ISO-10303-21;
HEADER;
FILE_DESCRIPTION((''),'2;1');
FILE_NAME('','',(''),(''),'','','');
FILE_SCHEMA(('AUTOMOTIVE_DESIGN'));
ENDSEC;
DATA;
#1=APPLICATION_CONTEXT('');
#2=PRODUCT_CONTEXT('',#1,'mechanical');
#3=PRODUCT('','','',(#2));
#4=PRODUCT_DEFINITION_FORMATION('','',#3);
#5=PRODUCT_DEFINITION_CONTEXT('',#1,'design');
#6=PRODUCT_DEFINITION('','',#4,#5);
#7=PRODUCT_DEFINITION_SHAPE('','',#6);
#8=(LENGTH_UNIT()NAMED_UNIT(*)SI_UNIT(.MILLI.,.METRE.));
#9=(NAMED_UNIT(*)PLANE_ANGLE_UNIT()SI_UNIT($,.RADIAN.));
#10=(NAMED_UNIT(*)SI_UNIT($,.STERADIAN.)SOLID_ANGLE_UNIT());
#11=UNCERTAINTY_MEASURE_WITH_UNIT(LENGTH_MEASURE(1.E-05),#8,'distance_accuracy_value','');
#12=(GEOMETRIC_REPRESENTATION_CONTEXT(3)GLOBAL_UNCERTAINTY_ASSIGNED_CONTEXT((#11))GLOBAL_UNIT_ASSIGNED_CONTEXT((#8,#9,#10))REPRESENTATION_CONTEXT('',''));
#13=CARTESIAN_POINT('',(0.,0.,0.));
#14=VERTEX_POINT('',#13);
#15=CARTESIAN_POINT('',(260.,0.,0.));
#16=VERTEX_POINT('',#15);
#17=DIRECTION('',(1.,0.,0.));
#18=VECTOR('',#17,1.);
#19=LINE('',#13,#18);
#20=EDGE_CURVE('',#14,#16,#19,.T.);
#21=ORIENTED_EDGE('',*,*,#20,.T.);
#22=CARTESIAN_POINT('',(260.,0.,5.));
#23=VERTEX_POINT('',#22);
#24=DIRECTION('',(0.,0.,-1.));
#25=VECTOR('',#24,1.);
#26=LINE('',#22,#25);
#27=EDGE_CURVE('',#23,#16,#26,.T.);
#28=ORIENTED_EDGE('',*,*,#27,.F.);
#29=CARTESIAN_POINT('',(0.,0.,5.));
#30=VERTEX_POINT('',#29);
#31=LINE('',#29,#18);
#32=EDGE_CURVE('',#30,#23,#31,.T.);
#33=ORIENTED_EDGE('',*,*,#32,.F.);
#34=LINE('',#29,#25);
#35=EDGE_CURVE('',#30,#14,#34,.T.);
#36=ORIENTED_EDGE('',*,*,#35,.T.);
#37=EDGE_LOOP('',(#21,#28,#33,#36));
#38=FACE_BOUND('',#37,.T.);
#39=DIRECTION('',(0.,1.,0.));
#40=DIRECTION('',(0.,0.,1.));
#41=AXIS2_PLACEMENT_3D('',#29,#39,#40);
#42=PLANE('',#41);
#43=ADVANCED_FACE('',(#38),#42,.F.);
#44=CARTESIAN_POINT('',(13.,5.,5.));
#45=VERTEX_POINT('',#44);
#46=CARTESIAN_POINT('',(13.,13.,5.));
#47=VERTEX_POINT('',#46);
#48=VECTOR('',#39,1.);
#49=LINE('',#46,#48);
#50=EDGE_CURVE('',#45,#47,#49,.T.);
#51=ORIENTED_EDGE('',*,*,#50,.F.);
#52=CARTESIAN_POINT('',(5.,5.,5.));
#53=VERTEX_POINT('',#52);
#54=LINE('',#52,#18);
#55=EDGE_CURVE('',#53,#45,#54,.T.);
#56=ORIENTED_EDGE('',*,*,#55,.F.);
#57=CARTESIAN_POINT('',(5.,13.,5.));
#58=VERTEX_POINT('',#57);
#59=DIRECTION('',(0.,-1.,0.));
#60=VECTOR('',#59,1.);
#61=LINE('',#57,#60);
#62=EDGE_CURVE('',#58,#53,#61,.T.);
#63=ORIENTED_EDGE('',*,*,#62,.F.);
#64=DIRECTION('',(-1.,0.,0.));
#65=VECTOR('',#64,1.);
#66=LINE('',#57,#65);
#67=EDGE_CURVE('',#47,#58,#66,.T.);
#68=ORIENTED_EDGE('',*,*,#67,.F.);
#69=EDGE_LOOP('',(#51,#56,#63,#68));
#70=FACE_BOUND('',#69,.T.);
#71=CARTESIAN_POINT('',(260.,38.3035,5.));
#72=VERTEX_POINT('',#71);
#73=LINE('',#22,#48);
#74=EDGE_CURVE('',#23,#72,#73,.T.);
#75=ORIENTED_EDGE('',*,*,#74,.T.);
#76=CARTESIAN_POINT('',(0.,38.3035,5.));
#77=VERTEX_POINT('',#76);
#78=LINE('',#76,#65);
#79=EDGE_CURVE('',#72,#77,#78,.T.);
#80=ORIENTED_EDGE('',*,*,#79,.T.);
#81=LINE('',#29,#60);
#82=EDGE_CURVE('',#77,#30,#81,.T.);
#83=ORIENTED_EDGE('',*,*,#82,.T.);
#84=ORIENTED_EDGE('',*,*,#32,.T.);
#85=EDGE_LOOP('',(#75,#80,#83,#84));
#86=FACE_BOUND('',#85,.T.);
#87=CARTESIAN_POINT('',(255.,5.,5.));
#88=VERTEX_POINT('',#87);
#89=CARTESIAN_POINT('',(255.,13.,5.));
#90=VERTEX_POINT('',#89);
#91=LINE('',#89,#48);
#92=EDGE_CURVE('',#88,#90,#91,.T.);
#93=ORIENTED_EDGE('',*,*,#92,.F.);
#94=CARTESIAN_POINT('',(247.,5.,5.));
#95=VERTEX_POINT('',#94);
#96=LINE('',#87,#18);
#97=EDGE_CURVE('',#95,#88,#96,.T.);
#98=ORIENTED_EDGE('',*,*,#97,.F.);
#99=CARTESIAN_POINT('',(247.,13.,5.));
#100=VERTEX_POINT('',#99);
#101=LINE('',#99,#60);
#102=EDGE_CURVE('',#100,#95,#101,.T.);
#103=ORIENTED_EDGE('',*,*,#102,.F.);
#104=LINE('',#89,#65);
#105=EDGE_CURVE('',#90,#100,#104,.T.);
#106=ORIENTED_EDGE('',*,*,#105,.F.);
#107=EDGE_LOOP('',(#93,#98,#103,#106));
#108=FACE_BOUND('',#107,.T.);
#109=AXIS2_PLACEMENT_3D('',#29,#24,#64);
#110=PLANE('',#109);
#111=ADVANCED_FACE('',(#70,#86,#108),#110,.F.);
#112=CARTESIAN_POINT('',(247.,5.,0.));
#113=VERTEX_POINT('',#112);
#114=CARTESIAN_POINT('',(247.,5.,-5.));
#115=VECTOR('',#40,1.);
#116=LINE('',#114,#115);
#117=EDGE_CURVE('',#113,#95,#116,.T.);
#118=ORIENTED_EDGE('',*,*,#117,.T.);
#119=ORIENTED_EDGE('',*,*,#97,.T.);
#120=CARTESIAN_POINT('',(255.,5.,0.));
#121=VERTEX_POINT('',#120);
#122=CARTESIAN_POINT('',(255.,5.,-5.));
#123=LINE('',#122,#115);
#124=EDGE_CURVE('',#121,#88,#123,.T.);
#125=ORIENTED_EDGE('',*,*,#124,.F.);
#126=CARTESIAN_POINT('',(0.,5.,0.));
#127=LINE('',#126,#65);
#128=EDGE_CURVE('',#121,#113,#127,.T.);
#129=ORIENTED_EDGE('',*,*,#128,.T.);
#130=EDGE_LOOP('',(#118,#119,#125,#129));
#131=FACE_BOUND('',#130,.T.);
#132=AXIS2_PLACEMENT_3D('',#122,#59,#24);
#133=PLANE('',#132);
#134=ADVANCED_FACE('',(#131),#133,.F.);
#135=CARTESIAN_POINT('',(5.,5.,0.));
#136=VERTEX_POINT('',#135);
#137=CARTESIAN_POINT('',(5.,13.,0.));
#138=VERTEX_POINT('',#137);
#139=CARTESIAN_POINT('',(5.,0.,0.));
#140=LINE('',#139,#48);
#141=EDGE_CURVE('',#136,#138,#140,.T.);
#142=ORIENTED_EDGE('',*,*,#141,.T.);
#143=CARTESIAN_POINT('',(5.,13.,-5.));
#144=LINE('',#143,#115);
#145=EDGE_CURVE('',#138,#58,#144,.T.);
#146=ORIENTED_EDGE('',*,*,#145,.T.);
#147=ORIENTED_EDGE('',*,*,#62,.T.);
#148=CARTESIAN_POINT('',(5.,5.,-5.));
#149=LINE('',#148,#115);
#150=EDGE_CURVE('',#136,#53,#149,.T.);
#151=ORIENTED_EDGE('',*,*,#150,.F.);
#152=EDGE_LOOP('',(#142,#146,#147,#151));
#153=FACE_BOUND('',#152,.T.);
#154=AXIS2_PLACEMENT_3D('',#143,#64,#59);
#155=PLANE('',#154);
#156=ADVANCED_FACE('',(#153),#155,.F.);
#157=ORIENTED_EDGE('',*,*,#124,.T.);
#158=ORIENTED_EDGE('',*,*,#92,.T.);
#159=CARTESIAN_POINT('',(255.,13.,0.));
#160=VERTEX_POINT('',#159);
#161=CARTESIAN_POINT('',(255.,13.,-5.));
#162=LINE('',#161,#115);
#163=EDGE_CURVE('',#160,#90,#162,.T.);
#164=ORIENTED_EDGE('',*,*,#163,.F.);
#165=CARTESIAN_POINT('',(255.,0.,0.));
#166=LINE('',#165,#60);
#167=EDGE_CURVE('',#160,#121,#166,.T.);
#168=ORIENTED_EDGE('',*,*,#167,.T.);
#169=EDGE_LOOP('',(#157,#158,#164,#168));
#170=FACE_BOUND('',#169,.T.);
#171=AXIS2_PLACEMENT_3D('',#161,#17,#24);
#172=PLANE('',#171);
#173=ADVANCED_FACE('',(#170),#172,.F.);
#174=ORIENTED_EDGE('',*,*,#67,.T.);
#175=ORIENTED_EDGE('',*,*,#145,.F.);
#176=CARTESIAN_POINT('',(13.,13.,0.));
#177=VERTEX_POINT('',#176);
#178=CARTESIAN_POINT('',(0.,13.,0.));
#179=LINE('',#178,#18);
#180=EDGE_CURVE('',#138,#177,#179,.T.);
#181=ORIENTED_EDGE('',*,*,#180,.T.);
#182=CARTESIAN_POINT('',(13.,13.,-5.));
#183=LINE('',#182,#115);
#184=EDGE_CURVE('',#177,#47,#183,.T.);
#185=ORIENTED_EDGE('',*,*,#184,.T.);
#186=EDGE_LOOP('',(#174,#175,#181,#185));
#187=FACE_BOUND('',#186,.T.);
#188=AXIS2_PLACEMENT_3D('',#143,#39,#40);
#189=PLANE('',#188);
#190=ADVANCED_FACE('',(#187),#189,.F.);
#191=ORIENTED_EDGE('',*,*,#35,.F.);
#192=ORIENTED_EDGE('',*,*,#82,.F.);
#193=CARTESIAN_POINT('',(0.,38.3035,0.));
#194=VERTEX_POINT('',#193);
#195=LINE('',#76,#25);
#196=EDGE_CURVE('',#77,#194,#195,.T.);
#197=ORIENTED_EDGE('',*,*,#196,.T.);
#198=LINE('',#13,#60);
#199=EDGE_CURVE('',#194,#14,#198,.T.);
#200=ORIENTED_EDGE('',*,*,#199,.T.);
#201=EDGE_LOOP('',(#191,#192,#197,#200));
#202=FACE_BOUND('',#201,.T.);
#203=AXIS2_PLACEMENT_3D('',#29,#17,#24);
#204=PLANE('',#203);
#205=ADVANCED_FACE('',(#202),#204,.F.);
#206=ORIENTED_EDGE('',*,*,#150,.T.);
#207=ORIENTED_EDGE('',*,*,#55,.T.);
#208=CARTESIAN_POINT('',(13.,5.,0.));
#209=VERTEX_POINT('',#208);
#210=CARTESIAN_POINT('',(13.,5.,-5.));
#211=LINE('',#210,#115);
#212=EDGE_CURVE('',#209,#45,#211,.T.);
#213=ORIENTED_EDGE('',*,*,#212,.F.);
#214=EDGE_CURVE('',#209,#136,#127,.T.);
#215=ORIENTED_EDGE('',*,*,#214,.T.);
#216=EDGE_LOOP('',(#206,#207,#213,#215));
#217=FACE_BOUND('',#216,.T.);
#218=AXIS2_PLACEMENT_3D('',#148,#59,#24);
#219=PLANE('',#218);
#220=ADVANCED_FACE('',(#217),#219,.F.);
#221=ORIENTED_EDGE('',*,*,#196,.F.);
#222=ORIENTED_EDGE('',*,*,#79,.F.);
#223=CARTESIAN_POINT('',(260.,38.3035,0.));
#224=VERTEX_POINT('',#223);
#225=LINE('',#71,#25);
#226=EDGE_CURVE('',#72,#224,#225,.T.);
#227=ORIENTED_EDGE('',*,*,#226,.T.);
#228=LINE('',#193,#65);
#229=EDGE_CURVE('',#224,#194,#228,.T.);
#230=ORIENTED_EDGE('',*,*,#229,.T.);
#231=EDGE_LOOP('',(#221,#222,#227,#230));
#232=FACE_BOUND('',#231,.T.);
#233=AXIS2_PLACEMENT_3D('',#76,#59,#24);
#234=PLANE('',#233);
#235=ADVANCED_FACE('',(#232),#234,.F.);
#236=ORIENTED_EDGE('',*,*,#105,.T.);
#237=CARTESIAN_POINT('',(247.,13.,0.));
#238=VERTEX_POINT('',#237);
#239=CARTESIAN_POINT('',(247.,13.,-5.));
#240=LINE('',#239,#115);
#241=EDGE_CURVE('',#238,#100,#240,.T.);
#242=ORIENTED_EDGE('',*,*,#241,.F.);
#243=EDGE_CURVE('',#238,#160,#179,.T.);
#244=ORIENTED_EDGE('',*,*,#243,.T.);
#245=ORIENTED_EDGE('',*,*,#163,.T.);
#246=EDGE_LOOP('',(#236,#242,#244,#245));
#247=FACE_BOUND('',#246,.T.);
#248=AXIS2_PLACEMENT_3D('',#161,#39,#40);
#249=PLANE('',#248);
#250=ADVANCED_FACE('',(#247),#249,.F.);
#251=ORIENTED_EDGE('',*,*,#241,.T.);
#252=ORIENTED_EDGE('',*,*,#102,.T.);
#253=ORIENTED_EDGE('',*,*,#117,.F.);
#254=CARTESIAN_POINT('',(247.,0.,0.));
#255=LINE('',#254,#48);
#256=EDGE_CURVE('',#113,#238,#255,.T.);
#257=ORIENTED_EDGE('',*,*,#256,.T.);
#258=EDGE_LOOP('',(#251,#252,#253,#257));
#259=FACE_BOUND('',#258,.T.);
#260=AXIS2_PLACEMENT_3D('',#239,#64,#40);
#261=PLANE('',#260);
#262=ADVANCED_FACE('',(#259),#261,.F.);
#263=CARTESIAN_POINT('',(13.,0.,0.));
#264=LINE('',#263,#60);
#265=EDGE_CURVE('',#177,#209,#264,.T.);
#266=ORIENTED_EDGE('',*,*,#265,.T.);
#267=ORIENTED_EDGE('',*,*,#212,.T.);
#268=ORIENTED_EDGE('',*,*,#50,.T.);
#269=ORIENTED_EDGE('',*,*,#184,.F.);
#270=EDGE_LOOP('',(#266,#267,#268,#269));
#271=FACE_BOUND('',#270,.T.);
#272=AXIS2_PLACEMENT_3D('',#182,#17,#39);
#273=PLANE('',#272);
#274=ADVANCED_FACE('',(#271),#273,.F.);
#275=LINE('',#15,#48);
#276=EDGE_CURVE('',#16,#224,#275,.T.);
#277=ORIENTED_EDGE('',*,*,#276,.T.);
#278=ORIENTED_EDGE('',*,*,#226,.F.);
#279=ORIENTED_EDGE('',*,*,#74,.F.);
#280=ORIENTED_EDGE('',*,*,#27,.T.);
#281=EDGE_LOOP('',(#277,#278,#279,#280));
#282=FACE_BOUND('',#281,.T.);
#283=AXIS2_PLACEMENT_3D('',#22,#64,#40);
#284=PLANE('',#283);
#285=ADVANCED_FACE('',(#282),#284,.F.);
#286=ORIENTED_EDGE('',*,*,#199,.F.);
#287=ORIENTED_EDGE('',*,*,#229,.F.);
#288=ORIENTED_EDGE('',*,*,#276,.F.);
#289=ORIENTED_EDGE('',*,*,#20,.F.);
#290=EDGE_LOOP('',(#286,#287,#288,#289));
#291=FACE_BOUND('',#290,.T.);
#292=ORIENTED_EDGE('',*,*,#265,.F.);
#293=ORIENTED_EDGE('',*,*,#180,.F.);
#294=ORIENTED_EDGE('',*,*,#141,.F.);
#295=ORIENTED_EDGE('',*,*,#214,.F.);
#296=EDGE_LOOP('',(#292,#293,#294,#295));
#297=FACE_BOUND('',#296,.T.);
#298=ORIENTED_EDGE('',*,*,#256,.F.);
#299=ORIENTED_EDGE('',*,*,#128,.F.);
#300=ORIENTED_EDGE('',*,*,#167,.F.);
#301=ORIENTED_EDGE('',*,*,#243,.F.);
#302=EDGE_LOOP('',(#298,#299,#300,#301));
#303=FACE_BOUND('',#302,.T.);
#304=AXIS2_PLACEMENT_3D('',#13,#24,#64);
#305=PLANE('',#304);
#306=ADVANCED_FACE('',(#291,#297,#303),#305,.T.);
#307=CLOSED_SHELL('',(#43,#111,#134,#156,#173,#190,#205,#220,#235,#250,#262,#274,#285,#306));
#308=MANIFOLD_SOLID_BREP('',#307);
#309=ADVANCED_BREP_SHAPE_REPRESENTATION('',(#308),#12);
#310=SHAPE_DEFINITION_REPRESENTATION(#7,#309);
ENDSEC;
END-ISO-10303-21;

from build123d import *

# Parameters (mm, degrees)
CROQUIS1_W              = 260
CROQUIS1_H              = 38.3035
SALIENTE_EXTRUIR1_DEPTH = 5
CROQUIS2_W              = 8
CROQUIS2_H              = 8
CORTAR_EXTRUIR1_DEPTH   = 10


with BuildPart() as part:
    # Croquis1 → Saliente-Extruir1 (new body)
    with BuildSketch(Plane.XY):
        with Locations((130, 19.15175)):
            Rectangle(CROQUIS1_W, CROQUIS1_H)
    extrude(amount=SALIENTE_EXTRUIR1_DEPTH)

    # Croquis2 → Cortar-Extruir1 (cut)
    with BuildSketch(Plane.XY.offset(5)):
        with Locations((9, 9)):
            Rectangle(CROQUIS2_W, CROQUIS2_H)
        with Locations((251, 9)):
            Rectangle(CROQUIS2_W, CROQUIS2_H)
    extrude(amount=-CORTAR_EXTRUIR1_DEPTH, mode=Mode.SUBTRACT)


solid = part.part
